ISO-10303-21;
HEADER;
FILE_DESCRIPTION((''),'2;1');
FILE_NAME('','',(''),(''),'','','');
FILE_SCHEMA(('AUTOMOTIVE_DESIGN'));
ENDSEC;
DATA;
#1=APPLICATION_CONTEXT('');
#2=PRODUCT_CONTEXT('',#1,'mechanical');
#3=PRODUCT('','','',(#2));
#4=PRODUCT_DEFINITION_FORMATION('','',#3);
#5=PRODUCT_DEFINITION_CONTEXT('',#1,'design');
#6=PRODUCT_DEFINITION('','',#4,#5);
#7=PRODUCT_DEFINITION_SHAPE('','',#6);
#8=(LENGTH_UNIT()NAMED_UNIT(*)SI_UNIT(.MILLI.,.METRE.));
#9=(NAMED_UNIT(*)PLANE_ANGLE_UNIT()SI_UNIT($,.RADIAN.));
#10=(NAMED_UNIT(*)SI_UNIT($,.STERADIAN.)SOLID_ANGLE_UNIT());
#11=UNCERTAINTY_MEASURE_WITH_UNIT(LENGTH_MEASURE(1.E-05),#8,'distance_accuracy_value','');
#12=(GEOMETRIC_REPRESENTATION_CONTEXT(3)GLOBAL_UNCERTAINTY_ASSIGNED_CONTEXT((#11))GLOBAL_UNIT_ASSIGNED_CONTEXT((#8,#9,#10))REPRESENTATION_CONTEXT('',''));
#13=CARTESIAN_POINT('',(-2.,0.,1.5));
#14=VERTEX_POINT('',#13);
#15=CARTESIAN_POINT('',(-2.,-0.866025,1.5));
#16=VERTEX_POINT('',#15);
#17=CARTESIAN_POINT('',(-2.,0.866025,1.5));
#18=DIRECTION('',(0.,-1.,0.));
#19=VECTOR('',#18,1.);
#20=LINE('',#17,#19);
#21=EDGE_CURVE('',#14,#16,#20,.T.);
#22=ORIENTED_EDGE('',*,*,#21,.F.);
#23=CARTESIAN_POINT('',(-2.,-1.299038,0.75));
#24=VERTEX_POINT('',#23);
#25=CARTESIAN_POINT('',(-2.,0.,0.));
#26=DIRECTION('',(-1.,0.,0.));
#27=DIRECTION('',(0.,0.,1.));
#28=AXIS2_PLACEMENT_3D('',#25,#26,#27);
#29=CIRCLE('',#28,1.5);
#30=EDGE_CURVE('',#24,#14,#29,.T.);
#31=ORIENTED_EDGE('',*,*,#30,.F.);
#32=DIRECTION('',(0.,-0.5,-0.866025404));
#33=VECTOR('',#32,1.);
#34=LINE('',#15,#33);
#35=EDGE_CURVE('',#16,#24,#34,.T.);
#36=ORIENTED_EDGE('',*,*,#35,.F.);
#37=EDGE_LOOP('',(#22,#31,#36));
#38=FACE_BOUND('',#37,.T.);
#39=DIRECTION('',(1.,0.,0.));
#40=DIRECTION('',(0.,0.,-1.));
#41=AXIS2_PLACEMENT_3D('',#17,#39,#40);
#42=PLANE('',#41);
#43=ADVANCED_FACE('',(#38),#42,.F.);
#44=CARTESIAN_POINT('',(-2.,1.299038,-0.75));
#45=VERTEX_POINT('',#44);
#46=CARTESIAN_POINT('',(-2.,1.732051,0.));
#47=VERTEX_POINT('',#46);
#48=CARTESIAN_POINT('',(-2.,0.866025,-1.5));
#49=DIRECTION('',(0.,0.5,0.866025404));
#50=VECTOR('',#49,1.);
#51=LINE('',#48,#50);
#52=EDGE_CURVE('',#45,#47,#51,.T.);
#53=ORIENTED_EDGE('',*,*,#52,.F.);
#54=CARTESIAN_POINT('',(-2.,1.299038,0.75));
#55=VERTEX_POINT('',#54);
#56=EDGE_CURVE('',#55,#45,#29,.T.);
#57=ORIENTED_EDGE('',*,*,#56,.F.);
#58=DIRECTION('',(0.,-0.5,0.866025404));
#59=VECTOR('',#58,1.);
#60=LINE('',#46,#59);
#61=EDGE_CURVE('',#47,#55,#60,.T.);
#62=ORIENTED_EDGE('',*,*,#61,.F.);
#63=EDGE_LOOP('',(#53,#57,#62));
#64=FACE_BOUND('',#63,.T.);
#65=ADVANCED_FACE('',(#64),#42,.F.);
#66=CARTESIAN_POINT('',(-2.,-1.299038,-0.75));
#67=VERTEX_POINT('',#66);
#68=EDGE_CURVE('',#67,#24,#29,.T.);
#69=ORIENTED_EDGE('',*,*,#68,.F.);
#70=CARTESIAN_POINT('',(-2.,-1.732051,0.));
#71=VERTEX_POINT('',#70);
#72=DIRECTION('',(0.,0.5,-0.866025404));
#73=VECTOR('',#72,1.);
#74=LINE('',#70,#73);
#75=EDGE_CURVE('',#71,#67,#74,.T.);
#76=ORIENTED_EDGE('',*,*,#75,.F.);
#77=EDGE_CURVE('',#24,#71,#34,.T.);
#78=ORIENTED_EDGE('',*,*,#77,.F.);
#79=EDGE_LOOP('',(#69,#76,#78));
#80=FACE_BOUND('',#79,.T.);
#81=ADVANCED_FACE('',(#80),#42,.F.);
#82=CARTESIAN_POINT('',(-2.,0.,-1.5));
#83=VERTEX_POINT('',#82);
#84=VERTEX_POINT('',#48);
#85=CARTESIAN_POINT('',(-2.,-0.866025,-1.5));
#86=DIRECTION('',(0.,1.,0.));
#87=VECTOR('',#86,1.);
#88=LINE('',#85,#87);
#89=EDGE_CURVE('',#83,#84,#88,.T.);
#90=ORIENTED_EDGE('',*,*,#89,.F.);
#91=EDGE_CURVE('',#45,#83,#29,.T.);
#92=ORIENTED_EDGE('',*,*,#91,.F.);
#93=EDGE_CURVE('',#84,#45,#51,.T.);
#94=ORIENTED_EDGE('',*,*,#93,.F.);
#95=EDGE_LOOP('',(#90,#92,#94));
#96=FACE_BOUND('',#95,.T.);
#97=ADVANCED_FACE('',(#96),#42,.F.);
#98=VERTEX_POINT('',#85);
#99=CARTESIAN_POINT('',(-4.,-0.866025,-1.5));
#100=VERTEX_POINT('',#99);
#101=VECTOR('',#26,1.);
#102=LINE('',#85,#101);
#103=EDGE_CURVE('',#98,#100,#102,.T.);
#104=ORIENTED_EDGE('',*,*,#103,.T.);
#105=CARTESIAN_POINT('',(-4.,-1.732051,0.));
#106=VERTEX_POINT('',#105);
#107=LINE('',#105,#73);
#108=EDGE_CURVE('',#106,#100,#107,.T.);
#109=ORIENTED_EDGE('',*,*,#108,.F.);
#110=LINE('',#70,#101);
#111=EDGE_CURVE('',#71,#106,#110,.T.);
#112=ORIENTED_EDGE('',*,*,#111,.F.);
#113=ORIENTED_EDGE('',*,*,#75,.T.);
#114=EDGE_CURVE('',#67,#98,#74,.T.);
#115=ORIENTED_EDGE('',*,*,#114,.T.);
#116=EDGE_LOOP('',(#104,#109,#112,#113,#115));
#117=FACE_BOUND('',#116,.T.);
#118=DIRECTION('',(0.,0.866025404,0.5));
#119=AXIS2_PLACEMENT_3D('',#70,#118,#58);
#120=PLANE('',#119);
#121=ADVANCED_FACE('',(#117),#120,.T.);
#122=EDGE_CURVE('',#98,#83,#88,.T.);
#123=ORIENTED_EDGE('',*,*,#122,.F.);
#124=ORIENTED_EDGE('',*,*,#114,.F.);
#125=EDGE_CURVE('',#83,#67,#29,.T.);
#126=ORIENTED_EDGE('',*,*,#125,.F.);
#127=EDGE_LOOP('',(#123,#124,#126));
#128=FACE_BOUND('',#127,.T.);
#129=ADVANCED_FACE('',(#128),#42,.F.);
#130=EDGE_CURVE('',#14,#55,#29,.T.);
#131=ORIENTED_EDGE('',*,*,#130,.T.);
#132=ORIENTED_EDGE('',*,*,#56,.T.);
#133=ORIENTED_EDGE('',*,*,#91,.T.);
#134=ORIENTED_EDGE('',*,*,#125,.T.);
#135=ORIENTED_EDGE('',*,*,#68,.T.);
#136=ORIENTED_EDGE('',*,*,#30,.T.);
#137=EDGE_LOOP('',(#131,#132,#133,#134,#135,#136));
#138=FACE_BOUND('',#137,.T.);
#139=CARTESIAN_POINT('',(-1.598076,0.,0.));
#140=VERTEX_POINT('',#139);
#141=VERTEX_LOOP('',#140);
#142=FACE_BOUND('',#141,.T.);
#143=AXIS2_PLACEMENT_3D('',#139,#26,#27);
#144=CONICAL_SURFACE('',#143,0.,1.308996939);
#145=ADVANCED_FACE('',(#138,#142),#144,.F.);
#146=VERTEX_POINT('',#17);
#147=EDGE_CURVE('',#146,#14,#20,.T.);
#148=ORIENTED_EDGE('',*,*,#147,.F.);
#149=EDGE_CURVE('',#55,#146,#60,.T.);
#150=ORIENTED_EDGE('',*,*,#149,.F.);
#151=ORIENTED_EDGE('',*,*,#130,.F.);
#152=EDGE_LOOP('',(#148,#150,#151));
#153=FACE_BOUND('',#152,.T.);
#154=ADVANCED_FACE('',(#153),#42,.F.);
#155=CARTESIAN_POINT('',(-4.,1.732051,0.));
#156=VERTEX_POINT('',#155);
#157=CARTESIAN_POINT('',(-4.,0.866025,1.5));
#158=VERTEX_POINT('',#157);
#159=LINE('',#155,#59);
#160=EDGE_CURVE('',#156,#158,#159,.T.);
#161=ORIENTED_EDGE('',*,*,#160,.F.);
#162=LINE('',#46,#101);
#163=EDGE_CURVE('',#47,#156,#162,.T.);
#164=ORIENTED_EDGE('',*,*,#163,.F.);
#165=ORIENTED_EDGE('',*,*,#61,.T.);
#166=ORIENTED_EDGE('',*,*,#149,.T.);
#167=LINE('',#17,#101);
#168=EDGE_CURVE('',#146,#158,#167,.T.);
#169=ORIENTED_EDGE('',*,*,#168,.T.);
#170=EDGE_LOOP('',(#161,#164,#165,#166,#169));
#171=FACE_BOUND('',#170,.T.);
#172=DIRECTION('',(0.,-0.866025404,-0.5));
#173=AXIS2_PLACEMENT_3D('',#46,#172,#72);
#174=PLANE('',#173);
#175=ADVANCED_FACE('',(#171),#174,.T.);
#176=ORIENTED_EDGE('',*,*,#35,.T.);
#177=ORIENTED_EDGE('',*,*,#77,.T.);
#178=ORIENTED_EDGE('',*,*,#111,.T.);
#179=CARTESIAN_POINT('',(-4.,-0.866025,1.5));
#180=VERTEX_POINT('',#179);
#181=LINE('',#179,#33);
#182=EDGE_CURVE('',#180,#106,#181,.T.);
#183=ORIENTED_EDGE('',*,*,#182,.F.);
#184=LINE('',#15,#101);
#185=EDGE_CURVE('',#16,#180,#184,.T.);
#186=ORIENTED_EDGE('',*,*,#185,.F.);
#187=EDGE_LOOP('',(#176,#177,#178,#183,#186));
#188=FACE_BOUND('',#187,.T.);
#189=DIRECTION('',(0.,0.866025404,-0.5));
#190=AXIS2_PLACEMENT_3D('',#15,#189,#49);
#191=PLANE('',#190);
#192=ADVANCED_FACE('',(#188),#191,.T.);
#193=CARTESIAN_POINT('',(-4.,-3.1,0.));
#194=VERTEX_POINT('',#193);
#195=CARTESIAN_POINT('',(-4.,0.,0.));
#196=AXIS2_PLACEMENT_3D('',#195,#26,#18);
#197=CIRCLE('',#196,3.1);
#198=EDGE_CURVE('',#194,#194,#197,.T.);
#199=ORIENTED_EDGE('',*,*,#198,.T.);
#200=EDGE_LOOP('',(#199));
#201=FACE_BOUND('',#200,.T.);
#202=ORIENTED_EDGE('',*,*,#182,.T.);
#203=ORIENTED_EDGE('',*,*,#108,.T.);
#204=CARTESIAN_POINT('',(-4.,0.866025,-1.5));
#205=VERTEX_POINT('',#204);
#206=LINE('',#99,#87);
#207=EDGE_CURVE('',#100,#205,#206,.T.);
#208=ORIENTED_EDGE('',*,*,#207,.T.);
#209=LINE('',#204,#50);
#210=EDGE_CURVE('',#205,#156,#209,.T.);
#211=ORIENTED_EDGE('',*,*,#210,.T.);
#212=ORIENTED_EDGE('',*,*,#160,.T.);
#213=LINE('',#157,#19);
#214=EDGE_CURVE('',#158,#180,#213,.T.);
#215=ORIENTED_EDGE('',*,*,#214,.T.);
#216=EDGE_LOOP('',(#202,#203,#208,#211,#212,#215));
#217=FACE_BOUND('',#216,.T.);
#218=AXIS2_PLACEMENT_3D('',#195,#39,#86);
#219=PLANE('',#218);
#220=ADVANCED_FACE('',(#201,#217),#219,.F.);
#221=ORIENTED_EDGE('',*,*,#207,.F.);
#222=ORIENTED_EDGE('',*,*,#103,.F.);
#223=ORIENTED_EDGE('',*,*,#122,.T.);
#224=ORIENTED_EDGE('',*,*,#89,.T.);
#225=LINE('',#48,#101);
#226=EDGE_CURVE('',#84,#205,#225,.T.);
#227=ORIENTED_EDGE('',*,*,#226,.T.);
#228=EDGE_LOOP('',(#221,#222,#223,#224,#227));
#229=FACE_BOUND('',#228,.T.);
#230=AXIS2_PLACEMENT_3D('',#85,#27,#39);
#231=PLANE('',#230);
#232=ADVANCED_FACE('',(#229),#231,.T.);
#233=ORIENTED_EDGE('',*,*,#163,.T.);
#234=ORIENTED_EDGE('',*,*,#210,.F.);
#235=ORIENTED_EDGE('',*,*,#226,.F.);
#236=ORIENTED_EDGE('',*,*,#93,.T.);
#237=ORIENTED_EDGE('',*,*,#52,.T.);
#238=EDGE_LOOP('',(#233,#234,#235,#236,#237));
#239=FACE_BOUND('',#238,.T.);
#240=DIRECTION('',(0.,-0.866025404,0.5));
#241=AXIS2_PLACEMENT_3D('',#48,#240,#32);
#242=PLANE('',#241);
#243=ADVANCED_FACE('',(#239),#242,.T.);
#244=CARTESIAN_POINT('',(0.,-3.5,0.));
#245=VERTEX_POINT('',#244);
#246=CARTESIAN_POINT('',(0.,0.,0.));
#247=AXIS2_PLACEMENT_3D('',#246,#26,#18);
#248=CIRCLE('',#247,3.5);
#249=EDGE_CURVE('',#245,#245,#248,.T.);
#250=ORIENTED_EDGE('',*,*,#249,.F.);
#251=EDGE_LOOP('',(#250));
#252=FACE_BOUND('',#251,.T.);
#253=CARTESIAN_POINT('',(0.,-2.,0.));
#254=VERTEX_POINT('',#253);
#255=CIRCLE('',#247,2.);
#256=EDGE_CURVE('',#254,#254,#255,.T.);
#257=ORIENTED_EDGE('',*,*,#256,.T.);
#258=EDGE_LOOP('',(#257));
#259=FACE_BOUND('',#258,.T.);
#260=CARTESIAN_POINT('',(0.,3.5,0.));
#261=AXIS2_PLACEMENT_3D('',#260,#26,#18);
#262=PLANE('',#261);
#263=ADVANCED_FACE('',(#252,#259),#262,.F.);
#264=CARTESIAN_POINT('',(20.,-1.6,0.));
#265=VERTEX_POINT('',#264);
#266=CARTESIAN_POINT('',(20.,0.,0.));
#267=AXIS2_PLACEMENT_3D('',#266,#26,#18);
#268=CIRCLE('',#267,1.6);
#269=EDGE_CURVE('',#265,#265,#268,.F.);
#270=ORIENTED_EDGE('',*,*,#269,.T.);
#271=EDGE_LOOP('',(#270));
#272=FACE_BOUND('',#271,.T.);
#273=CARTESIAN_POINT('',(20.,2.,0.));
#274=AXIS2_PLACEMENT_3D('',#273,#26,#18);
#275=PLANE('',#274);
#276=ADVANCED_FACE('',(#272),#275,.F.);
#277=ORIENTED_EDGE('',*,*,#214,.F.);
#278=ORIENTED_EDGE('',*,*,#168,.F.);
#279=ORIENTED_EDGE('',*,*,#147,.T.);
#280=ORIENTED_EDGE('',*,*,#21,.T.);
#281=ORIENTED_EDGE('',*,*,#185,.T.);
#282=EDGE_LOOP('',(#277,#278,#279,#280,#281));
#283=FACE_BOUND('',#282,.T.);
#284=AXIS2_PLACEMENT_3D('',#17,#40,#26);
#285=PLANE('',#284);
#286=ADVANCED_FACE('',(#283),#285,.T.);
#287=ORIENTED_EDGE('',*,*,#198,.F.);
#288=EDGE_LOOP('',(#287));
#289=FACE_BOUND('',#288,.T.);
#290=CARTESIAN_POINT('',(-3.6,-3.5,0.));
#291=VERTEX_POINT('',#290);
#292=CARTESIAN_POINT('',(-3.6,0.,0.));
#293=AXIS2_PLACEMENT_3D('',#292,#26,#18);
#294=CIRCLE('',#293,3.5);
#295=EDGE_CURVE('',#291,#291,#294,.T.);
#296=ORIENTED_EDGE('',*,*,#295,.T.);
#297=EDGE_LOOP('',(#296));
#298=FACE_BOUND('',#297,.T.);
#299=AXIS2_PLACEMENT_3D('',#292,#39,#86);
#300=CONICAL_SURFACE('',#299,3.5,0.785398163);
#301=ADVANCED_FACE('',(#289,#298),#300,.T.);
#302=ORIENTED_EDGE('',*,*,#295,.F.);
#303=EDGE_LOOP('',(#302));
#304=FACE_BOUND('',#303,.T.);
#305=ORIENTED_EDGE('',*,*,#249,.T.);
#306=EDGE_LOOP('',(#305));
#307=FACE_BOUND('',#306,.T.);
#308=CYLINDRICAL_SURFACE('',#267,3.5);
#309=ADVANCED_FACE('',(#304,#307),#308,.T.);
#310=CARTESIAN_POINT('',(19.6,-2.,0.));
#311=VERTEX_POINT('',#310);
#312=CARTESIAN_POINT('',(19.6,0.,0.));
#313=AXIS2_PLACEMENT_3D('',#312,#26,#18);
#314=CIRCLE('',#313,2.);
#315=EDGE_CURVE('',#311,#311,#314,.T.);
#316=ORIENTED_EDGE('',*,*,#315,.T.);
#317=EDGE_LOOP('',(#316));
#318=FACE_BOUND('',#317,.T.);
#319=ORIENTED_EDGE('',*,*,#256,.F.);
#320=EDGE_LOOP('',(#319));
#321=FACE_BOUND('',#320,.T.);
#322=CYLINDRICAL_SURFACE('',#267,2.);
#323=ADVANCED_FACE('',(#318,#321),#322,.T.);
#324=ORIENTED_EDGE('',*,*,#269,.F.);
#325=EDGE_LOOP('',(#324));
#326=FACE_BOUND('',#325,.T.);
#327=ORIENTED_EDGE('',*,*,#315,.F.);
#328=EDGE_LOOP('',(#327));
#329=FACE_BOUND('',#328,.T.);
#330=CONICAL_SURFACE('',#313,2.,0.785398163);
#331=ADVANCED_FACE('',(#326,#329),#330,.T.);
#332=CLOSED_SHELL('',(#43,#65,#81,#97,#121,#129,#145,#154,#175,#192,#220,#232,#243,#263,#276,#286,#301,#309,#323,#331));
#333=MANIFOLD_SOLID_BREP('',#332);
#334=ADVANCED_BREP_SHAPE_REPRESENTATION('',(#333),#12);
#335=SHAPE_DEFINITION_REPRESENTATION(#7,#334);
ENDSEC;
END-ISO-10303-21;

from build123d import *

# Parameters (mm, degrees)
CHAMFER1_SIZE      = 0.4
CUT_EXTRUDE1_DEPTH = 2


with BuildPart() as part:
    # Sketch1 → Revolve1 (revolve)
    with BuildSketch(Plane.XY):
        Polygon((-4, 0), (-4, 3.1), (-3.6, 3.5), (0, 3.5), (0, 2), (20, 2), (20, 0), align=None)
    revolve(axis=Axis((20, 0, 0), (-1, 0, 0)))

    # Chamfer1
    chamfer1_edges = [part.edges().sort_by_distance(p)[0] for p in [
        (20, -2, 0),
    ]]
    chamfer(chamfer1_edges, length=CHAMFER1_SIZE)

    # Sketch2 → Cut-Revolve1 (revolve, cut)
    with BuildSketch(Plane.XY):
        Polygon((-4, 0), (-4, 1.5), (-2, 1.5), (-1.598076211, 0), align=None)
    revolve(axis=Axis((-1.598076211, 0, 0), (-1, 0, 0)), mode=Mode.SUBTRACT)

    # Sketch3 → Cut-Extrude1 (cut)
    with BuildSketch(Plane(origin=(-4, 0, 0), x_dir=(0, 0, -1), z_dir=(1, 0, 0))):
        Polygon((-1.5, 0.866025404), (-1.5, -0.866025404), (0, -1.732050808), (1.5, -0.866025404), (1.5, 0.866025404), (0, 1.732050808), align=None)
    extrude(amount=CUT_EXTRUDE1_DEPTH, mode=Mode.SUBTRACT)


solid = part.part
